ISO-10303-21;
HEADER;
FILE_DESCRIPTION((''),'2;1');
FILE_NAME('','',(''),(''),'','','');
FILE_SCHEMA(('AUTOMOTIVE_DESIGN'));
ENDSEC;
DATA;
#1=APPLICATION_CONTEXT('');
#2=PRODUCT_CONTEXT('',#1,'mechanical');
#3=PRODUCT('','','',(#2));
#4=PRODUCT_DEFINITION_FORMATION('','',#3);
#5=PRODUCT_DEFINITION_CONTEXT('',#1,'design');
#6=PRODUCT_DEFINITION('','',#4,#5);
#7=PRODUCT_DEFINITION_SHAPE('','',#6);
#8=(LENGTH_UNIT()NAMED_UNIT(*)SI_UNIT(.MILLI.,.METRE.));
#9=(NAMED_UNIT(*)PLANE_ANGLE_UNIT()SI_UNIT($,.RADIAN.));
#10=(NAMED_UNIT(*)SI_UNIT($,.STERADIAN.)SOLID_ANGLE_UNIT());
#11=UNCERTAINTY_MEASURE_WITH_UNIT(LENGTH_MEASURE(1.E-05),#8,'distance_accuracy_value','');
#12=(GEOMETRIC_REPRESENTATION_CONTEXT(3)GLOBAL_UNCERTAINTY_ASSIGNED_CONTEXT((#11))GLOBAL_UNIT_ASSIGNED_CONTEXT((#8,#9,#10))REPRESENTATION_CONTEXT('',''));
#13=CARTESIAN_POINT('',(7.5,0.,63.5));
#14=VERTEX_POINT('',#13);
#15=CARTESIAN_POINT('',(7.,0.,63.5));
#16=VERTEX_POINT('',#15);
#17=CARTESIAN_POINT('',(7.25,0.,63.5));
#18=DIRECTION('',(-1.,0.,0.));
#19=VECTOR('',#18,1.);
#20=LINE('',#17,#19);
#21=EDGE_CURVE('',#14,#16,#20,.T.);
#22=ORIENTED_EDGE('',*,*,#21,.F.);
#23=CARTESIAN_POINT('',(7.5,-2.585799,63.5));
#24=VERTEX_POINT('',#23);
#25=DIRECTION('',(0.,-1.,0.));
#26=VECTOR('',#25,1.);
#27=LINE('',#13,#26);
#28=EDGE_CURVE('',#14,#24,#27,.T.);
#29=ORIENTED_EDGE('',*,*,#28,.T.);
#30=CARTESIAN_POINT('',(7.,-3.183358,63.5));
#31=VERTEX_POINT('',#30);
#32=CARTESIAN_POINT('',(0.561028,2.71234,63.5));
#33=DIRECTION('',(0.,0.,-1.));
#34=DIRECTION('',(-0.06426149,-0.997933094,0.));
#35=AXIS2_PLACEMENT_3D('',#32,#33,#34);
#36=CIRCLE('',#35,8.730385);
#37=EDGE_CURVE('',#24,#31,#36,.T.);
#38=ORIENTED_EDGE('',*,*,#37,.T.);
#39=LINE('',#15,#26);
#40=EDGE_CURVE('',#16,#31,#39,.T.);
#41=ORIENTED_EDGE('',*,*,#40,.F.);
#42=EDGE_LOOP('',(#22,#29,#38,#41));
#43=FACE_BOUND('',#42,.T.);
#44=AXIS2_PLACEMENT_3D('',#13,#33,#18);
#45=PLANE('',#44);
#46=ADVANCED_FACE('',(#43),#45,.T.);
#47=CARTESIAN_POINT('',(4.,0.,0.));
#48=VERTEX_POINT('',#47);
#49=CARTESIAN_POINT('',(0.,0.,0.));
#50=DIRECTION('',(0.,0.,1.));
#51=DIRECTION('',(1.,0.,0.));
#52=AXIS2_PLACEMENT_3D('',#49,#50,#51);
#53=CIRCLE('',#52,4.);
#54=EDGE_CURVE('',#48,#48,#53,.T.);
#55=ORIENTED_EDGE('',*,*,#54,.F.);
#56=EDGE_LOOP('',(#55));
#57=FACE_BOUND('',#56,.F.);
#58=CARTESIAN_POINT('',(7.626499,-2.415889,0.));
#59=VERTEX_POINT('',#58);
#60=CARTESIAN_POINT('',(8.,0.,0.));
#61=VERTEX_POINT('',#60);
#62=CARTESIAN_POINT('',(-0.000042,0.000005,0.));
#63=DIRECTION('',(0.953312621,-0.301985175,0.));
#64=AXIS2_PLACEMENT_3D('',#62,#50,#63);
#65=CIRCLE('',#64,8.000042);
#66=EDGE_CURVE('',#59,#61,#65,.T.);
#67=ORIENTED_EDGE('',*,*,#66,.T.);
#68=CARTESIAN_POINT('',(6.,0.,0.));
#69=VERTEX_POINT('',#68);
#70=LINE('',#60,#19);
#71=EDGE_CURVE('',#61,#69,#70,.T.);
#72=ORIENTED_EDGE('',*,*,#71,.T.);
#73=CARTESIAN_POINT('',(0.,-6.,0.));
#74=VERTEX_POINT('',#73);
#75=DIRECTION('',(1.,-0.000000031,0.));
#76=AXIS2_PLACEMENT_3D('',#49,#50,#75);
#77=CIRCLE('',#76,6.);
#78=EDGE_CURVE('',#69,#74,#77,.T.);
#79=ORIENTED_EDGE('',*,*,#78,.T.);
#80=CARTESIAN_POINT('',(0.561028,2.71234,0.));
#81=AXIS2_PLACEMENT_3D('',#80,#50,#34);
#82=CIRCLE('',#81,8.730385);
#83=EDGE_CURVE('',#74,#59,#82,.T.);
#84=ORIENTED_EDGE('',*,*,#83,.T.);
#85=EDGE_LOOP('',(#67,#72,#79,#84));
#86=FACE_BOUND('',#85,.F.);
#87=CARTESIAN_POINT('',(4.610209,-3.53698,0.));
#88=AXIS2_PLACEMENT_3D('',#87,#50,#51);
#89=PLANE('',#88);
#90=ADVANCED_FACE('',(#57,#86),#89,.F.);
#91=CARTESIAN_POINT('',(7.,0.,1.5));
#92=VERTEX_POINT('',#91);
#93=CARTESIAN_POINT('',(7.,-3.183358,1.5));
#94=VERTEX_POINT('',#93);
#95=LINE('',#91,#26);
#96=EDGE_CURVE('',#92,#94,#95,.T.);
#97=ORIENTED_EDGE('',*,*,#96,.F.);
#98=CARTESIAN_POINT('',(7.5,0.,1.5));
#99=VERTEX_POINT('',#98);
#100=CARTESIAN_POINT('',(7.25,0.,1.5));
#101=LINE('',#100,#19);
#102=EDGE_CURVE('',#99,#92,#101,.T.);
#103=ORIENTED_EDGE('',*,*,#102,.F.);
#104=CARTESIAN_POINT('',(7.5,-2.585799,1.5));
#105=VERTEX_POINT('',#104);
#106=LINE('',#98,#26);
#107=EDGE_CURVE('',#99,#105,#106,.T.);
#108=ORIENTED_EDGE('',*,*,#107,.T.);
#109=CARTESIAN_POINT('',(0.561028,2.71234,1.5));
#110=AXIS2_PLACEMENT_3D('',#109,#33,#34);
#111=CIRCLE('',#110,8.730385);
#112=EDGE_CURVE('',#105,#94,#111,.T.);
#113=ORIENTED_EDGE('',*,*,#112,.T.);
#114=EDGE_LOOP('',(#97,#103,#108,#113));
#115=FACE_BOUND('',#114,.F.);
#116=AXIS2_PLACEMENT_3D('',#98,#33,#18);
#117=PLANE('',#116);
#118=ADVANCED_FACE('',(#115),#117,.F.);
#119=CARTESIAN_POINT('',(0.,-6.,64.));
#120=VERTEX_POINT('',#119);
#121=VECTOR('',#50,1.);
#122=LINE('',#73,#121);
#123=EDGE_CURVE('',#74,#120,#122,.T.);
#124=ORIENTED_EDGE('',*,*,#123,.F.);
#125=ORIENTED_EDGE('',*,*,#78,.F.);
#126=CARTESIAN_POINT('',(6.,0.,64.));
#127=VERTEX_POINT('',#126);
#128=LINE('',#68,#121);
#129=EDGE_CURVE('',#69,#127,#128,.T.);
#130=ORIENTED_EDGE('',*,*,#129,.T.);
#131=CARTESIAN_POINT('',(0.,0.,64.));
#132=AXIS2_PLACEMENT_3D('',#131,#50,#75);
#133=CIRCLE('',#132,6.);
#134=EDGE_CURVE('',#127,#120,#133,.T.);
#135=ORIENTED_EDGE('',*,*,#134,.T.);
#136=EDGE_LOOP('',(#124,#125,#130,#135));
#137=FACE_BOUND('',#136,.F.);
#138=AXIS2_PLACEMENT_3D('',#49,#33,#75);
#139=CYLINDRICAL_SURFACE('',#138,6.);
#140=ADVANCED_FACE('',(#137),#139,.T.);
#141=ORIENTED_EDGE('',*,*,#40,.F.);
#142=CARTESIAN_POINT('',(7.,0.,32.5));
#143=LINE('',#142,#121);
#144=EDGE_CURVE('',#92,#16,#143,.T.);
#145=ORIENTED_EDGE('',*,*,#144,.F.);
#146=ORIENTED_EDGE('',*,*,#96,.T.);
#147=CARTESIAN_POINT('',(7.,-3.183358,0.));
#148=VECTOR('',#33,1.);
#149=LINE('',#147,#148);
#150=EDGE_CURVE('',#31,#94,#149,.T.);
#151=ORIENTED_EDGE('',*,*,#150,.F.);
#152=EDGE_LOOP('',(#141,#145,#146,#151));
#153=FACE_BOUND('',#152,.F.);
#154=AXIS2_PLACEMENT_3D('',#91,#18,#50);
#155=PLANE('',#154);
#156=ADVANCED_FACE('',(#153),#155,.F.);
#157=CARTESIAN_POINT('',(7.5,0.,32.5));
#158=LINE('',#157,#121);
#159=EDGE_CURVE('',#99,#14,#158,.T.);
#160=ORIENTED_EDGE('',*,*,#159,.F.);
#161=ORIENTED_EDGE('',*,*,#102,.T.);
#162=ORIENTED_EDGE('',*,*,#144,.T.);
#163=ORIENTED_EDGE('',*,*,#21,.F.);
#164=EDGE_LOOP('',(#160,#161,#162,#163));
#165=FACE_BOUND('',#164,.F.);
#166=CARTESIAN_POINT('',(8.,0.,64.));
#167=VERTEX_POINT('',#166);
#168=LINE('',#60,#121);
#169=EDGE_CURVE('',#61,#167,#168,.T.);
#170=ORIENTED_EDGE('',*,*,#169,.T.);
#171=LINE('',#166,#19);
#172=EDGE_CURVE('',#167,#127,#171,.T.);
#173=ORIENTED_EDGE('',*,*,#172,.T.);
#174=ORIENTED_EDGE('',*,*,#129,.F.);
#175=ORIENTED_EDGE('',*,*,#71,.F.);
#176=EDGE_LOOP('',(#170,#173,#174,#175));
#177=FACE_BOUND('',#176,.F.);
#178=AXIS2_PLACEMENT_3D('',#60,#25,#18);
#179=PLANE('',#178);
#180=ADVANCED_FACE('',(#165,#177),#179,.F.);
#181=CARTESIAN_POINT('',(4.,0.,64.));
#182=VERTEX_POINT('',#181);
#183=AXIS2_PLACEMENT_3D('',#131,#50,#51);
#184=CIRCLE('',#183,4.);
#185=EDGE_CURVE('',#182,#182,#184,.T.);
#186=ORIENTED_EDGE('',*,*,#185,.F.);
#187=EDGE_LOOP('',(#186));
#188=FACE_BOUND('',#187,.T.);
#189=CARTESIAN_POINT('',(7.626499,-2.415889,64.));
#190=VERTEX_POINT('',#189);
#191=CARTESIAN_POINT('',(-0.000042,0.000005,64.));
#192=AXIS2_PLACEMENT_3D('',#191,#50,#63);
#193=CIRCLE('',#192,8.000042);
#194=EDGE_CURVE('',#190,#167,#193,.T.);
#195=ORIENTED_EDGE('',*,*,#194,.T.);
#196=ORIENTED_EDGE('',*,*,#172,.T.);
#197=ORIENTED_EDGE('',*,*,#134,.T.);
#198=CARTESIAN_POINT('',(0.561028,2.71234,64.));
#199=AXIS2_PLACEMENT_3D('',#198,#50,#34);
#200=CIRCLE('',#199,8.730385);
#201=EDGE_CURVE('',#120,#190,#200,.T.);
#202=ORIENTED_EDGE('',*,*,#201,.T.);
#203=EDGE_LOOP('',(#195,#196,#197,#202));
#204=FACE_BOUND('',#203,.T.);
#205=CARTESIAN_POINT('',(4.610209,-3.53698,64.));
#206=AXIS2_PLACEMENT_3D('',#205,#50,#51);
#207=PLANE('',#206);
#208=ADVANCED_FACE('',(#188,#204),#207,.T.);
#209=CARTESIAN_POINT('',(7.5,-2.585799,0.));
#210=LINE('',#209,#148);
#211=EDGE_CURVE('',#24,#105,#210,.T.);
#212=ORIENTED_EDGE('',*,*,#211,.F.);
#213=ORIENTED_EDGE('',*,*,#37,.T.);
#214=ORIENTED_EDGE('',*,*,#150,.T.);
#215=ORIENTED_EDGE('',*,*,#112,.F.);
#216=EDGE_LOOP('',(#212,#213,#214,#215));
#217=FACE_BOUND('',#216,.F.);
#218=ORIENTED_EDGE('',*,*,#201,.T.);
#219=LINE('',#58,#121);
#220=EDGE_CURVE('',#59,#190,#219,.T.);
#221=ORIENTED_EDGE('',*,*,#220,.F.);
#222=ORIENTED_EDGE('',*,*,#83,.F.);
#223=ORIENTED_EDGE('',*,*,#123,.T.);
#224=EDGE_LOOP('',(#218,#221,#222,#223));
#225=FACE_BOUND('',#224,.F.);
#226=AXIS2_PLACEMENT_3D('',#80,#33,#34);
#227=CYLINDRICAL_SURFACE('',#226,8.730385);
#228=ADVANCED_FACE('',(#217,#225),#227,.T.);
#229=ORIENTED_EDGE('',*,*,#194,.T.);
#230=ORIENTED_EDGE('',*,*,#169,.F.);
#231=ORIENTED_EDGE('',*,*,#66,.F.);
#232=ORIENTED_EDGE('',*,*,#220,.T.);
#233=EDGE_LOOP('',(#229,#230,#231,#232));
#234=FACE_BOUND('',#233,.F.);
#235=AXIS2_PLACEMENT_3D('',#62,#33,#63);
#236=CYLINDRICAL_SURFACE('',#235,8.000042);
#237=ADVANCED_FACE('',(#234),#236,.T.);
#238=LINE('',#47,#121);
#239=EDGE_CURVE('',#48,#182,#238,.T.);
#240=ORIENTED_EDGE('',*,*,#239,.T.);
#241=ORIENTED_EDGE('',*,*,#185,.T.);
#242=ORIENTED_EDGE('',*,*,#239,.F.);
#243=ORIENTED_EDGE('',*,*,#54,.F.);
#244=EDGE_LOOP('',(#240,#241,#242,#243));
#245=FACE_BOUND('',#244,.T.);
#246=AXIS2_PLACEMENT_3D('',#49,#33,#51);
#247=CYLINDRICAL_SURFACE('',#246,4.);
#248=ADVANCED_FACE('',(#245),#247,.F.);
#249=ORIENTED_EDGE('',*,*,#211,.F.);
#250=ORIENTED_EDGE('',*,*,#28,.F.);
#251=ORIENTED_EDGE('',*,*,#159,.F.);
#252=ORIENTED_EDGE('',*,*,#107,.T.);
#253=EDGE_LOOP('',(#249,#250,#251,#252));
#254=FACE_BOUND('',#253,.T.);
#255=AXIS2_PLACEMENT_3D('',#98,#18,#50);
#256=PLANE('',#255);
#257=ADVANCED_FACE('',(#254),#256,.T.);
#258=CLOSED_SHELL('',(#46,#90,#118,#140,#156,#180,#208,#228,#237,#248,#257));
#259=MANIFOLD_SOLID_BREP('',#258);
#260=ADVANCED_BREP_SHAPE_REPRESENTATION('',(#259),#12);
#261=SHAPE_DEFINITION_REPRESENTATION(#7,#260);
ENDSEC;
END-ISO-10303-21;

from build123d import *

# Parameters (mm, degrees)
F0_R     = 4
F1_DEPTH = 64
F2_DEPTH = 64
F3_W     = 0.5
F3_H     = 62
F4_DEPTH = 25


with BuildPart() as f1:
    # F0 (on Top) → F1 (new body)
    with BuildSketch(Plane.XY):
        with BuildLine():
            ThreePointArc((0, -6), (4.242641, -4.242641), (6, 0))
            ThreePointArc((6, 0), (-4.242641, 4.242641), (0, -6))
        make_face()
        Circle(F0_R, mode=Mode.SUBTRACT)
    extrude(amount=F1_DEPTH)

    # F0 (on Top) → F2 (join)
    with BuildSketch(Plane.XY):
        with BuildLine():
            Line((8, 0), (6, 0))
            ThreePointArc((6, 0), (4.242641, -4.242641), (0, -6))
            ThreePointArc((0, -6), (4.274303, -5.189002), (7.626499, -2.415889))
            ThreePointArc((7.626499, -2.415889), (7.906073, -1.222295), (8, 0))
        make_face()
    extrude(amount=F2_DEPTH)

    # F3 (on face) → F4 (cut)
    with BuildSketch(Plane(origin=(0, 0, 0), x_dir=(-1, 0, 0), z_dir=(0, 1, 0))):
        with Locations((-7.25, 32.5)):
            Rectangle(F3_W, F3_H)
    extrude(amount=-F4_DEPTH, mode=Mode.SUBTRACT)


solid = f1.part
